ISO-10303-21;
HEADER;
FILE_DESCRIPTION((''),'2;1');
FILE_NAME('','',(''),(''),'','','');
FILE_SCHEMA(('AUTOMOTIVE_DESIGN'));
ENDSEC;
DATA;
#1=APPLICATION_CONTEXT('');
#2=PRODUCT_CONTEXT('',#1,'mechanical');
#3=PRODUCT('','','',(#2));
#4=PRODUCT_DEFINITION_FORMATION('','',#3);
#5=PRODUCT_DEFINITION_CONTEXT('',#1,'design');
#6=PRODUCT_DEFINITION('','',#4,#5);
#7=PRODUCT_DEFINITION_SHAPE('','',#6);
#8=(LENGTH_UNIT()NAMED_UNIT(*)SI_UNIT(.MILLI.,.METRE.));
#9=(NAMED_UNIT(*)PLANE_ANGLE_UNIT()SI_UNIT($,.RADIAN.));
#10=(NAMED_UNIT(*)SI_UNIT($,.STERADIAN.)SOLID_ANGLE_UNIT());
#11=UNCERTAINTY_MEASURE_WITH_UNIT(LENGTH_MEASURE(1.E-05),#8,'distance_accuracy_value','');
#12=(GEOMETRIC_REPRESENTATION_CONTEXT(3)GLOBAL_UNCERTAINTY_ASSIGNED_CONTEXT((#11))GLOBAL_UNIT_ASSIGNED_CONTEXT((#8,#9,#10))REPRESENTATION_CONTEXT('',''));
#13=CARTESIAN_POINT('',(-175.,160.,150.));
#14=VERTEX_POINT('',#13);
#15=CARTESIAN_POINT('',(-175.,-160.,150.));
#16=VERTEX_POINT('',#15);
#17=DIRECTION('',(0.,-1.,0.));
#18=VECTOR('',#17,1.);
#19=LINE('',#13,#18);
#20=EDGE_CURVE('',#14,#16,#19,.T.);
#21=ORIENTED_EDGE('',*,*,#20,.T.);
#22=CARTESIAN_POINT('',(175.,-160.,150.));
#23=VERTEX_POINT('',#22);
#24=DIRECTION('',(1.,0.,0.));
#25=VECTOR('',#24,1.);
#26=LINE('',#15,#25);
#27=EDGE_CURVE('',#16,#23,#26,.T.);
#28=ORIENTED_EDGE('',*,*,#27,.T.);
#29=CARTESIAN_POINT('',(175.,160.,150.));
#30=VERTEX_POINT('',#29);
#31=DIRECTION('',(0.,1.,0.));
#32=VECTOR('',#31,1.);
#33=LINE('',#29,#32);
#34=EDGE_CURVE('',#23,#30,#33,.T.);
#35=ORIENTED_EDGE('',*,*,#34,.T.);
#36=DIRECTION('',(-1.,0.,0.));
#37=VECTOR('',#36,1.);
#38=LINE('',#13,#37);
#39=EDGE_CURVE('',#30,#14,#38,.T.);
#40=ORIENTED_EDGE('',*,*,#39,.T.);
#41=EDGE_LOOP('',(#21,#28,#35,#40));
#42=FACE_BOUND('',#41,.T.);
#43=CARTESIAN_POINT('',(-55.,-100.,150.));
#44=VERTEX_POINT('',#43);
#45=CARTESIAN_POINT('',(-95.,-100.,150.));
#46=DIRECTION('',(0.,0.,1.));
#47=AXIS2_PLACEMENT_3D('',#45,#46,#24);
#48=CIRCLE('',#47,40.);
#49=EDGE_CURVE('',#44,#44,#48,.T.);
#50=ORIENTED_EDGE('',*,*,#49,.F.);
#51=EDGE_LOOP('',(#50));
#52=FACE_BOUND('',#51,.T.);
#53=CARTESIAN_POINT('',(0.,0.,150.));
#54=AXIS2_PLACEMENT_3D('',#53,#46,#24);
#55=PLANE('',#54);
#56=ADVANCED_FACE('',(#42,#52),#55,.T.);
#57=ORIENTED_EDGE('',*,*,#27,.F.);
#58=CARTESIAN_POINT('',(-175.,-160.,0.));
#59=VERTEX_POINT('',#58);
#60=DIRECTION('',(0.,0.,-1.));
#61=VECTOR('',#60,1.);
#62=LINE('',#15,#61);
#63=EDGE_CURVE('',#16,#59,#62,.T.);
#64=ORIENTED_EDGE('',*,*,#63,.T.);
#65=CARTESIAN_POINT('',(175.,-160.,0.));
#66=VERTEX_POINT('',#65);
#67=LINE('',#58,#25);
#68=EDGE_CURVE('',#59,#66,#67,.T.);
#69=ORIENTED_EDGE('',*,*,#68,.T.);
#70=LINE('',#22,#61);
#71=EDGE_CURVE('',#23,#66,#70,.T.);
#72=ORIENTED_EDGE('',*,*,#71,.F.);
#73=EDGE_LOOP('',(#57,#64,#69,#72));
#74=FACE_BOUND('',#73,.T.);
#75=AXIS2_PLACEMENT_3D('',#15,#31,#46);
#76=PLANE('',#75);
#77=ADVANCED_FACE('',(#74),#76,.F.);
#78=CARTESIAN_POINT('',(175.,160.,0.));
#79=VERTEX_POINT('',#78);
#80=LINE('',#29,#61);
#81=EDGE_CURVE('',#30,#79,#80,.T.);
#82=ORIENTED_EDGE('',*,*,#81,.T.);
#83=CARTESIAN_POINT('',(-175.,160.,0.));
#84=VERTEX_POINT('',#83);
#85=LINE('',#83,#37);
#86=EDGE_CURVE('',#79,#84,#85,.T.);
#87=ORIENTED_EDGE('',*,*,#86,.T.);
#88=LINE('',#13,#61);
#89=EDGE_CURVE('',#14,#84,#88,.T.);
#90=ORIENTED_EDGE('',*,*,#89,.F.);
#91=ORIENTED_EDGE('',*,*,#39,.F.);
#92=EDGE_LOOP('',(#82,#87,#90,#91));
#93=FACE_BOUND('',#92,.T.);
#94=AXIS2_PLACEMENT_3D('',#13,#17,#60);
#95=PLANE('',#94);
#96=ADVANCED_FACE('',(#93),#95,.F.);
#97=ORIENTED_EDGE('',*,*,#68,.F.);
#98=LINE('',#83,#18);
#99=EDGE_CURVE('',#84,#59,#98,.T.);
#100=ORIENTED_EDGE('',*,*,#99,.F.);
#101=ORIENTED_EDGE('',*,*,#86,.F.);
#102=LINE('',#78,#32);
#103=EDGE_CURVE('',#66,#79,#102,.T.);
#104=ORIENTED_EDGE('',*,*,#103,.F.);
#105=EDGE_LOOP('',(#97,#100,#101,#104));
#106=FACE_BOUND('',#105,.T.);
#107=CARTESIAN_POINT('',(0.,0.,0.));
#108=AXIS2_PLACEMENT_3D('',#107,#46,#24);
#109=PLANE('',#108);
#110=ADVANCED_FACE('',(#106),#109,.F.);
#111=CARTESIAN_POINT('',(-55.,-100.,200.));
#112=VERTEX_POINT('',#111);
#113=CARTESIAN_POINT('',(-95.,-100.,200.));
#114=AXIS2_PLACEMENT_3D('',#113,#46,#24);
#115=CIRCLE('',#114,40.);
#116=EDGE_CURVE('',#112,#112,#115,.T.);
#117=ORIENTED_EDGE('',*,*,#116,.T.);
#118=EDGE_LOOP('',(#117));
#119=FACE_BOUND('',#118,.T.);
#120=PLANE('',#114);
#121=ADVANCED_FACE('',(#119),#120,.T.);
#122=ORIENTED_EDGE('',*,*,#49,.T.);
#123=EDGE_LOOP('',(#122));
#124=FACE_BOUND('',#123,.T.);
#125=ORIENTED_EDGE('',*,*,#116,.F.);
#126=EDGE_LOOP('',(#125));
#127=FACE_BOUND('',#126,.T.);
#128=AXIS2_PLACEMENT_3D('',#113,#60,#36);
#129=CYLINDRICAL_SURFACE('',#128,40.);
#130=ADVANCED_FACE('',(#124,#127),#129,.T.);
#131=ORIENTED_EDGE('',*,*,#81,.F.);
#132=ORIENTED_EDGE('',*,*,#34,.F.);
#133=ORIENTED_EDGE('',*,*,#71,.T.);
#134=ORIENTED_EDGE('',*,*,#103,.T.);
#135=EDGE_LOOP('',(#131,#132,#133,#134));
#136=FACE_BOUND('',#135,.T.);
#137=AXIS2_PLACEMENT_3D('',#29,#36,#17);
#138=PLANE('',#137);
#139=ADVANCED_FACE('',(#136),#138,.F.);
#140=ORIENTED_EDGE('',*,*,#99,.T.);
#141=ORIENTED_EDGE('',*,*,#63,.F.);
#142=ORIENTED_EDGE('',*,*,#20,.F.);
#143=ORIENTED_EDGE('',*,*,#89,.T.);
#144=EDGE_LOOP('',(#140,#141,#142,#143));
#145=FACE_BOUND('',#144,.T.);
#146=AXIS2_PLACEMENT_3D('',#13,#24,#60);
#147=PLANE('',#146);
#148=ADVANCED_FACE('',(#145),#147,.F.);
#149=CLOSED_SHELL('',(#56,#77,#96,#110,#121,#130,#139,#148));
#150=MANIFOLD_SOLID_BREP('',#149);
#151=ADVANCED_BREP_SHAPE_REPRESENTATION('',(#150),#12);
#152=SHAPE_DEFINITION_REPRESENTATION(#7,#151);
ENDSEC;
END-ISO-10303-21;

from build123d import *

# Parameters (mm, degrees)
SKETCH_1_W      = 350
SKETCH_1_H      = 320
EXTRUDE_1_DEPTH = 150
SKETCH_2_R      = 40
EXTRUDE_2_DEPTH = 50


with BuildPart() as part:
    # 草图1 → 凸台-拉伸1 (new body)
    with BuildSketch(Plane.XY):
        Rectangle(SKETCH_1_W, SKETCH_1_H)
    extrude(amount=EXTRUDE_1_DEPTH)

    # 草图2 → 凸台-拉伸2 (add)
    with BuildSketch(Plane.XY.offset(150)):
        with Locations((-95, -100)):
            Circle(SKETCH_2_R)
    extrude(amount=EXTRUDE_2_DEPTH)


solid = part.part
